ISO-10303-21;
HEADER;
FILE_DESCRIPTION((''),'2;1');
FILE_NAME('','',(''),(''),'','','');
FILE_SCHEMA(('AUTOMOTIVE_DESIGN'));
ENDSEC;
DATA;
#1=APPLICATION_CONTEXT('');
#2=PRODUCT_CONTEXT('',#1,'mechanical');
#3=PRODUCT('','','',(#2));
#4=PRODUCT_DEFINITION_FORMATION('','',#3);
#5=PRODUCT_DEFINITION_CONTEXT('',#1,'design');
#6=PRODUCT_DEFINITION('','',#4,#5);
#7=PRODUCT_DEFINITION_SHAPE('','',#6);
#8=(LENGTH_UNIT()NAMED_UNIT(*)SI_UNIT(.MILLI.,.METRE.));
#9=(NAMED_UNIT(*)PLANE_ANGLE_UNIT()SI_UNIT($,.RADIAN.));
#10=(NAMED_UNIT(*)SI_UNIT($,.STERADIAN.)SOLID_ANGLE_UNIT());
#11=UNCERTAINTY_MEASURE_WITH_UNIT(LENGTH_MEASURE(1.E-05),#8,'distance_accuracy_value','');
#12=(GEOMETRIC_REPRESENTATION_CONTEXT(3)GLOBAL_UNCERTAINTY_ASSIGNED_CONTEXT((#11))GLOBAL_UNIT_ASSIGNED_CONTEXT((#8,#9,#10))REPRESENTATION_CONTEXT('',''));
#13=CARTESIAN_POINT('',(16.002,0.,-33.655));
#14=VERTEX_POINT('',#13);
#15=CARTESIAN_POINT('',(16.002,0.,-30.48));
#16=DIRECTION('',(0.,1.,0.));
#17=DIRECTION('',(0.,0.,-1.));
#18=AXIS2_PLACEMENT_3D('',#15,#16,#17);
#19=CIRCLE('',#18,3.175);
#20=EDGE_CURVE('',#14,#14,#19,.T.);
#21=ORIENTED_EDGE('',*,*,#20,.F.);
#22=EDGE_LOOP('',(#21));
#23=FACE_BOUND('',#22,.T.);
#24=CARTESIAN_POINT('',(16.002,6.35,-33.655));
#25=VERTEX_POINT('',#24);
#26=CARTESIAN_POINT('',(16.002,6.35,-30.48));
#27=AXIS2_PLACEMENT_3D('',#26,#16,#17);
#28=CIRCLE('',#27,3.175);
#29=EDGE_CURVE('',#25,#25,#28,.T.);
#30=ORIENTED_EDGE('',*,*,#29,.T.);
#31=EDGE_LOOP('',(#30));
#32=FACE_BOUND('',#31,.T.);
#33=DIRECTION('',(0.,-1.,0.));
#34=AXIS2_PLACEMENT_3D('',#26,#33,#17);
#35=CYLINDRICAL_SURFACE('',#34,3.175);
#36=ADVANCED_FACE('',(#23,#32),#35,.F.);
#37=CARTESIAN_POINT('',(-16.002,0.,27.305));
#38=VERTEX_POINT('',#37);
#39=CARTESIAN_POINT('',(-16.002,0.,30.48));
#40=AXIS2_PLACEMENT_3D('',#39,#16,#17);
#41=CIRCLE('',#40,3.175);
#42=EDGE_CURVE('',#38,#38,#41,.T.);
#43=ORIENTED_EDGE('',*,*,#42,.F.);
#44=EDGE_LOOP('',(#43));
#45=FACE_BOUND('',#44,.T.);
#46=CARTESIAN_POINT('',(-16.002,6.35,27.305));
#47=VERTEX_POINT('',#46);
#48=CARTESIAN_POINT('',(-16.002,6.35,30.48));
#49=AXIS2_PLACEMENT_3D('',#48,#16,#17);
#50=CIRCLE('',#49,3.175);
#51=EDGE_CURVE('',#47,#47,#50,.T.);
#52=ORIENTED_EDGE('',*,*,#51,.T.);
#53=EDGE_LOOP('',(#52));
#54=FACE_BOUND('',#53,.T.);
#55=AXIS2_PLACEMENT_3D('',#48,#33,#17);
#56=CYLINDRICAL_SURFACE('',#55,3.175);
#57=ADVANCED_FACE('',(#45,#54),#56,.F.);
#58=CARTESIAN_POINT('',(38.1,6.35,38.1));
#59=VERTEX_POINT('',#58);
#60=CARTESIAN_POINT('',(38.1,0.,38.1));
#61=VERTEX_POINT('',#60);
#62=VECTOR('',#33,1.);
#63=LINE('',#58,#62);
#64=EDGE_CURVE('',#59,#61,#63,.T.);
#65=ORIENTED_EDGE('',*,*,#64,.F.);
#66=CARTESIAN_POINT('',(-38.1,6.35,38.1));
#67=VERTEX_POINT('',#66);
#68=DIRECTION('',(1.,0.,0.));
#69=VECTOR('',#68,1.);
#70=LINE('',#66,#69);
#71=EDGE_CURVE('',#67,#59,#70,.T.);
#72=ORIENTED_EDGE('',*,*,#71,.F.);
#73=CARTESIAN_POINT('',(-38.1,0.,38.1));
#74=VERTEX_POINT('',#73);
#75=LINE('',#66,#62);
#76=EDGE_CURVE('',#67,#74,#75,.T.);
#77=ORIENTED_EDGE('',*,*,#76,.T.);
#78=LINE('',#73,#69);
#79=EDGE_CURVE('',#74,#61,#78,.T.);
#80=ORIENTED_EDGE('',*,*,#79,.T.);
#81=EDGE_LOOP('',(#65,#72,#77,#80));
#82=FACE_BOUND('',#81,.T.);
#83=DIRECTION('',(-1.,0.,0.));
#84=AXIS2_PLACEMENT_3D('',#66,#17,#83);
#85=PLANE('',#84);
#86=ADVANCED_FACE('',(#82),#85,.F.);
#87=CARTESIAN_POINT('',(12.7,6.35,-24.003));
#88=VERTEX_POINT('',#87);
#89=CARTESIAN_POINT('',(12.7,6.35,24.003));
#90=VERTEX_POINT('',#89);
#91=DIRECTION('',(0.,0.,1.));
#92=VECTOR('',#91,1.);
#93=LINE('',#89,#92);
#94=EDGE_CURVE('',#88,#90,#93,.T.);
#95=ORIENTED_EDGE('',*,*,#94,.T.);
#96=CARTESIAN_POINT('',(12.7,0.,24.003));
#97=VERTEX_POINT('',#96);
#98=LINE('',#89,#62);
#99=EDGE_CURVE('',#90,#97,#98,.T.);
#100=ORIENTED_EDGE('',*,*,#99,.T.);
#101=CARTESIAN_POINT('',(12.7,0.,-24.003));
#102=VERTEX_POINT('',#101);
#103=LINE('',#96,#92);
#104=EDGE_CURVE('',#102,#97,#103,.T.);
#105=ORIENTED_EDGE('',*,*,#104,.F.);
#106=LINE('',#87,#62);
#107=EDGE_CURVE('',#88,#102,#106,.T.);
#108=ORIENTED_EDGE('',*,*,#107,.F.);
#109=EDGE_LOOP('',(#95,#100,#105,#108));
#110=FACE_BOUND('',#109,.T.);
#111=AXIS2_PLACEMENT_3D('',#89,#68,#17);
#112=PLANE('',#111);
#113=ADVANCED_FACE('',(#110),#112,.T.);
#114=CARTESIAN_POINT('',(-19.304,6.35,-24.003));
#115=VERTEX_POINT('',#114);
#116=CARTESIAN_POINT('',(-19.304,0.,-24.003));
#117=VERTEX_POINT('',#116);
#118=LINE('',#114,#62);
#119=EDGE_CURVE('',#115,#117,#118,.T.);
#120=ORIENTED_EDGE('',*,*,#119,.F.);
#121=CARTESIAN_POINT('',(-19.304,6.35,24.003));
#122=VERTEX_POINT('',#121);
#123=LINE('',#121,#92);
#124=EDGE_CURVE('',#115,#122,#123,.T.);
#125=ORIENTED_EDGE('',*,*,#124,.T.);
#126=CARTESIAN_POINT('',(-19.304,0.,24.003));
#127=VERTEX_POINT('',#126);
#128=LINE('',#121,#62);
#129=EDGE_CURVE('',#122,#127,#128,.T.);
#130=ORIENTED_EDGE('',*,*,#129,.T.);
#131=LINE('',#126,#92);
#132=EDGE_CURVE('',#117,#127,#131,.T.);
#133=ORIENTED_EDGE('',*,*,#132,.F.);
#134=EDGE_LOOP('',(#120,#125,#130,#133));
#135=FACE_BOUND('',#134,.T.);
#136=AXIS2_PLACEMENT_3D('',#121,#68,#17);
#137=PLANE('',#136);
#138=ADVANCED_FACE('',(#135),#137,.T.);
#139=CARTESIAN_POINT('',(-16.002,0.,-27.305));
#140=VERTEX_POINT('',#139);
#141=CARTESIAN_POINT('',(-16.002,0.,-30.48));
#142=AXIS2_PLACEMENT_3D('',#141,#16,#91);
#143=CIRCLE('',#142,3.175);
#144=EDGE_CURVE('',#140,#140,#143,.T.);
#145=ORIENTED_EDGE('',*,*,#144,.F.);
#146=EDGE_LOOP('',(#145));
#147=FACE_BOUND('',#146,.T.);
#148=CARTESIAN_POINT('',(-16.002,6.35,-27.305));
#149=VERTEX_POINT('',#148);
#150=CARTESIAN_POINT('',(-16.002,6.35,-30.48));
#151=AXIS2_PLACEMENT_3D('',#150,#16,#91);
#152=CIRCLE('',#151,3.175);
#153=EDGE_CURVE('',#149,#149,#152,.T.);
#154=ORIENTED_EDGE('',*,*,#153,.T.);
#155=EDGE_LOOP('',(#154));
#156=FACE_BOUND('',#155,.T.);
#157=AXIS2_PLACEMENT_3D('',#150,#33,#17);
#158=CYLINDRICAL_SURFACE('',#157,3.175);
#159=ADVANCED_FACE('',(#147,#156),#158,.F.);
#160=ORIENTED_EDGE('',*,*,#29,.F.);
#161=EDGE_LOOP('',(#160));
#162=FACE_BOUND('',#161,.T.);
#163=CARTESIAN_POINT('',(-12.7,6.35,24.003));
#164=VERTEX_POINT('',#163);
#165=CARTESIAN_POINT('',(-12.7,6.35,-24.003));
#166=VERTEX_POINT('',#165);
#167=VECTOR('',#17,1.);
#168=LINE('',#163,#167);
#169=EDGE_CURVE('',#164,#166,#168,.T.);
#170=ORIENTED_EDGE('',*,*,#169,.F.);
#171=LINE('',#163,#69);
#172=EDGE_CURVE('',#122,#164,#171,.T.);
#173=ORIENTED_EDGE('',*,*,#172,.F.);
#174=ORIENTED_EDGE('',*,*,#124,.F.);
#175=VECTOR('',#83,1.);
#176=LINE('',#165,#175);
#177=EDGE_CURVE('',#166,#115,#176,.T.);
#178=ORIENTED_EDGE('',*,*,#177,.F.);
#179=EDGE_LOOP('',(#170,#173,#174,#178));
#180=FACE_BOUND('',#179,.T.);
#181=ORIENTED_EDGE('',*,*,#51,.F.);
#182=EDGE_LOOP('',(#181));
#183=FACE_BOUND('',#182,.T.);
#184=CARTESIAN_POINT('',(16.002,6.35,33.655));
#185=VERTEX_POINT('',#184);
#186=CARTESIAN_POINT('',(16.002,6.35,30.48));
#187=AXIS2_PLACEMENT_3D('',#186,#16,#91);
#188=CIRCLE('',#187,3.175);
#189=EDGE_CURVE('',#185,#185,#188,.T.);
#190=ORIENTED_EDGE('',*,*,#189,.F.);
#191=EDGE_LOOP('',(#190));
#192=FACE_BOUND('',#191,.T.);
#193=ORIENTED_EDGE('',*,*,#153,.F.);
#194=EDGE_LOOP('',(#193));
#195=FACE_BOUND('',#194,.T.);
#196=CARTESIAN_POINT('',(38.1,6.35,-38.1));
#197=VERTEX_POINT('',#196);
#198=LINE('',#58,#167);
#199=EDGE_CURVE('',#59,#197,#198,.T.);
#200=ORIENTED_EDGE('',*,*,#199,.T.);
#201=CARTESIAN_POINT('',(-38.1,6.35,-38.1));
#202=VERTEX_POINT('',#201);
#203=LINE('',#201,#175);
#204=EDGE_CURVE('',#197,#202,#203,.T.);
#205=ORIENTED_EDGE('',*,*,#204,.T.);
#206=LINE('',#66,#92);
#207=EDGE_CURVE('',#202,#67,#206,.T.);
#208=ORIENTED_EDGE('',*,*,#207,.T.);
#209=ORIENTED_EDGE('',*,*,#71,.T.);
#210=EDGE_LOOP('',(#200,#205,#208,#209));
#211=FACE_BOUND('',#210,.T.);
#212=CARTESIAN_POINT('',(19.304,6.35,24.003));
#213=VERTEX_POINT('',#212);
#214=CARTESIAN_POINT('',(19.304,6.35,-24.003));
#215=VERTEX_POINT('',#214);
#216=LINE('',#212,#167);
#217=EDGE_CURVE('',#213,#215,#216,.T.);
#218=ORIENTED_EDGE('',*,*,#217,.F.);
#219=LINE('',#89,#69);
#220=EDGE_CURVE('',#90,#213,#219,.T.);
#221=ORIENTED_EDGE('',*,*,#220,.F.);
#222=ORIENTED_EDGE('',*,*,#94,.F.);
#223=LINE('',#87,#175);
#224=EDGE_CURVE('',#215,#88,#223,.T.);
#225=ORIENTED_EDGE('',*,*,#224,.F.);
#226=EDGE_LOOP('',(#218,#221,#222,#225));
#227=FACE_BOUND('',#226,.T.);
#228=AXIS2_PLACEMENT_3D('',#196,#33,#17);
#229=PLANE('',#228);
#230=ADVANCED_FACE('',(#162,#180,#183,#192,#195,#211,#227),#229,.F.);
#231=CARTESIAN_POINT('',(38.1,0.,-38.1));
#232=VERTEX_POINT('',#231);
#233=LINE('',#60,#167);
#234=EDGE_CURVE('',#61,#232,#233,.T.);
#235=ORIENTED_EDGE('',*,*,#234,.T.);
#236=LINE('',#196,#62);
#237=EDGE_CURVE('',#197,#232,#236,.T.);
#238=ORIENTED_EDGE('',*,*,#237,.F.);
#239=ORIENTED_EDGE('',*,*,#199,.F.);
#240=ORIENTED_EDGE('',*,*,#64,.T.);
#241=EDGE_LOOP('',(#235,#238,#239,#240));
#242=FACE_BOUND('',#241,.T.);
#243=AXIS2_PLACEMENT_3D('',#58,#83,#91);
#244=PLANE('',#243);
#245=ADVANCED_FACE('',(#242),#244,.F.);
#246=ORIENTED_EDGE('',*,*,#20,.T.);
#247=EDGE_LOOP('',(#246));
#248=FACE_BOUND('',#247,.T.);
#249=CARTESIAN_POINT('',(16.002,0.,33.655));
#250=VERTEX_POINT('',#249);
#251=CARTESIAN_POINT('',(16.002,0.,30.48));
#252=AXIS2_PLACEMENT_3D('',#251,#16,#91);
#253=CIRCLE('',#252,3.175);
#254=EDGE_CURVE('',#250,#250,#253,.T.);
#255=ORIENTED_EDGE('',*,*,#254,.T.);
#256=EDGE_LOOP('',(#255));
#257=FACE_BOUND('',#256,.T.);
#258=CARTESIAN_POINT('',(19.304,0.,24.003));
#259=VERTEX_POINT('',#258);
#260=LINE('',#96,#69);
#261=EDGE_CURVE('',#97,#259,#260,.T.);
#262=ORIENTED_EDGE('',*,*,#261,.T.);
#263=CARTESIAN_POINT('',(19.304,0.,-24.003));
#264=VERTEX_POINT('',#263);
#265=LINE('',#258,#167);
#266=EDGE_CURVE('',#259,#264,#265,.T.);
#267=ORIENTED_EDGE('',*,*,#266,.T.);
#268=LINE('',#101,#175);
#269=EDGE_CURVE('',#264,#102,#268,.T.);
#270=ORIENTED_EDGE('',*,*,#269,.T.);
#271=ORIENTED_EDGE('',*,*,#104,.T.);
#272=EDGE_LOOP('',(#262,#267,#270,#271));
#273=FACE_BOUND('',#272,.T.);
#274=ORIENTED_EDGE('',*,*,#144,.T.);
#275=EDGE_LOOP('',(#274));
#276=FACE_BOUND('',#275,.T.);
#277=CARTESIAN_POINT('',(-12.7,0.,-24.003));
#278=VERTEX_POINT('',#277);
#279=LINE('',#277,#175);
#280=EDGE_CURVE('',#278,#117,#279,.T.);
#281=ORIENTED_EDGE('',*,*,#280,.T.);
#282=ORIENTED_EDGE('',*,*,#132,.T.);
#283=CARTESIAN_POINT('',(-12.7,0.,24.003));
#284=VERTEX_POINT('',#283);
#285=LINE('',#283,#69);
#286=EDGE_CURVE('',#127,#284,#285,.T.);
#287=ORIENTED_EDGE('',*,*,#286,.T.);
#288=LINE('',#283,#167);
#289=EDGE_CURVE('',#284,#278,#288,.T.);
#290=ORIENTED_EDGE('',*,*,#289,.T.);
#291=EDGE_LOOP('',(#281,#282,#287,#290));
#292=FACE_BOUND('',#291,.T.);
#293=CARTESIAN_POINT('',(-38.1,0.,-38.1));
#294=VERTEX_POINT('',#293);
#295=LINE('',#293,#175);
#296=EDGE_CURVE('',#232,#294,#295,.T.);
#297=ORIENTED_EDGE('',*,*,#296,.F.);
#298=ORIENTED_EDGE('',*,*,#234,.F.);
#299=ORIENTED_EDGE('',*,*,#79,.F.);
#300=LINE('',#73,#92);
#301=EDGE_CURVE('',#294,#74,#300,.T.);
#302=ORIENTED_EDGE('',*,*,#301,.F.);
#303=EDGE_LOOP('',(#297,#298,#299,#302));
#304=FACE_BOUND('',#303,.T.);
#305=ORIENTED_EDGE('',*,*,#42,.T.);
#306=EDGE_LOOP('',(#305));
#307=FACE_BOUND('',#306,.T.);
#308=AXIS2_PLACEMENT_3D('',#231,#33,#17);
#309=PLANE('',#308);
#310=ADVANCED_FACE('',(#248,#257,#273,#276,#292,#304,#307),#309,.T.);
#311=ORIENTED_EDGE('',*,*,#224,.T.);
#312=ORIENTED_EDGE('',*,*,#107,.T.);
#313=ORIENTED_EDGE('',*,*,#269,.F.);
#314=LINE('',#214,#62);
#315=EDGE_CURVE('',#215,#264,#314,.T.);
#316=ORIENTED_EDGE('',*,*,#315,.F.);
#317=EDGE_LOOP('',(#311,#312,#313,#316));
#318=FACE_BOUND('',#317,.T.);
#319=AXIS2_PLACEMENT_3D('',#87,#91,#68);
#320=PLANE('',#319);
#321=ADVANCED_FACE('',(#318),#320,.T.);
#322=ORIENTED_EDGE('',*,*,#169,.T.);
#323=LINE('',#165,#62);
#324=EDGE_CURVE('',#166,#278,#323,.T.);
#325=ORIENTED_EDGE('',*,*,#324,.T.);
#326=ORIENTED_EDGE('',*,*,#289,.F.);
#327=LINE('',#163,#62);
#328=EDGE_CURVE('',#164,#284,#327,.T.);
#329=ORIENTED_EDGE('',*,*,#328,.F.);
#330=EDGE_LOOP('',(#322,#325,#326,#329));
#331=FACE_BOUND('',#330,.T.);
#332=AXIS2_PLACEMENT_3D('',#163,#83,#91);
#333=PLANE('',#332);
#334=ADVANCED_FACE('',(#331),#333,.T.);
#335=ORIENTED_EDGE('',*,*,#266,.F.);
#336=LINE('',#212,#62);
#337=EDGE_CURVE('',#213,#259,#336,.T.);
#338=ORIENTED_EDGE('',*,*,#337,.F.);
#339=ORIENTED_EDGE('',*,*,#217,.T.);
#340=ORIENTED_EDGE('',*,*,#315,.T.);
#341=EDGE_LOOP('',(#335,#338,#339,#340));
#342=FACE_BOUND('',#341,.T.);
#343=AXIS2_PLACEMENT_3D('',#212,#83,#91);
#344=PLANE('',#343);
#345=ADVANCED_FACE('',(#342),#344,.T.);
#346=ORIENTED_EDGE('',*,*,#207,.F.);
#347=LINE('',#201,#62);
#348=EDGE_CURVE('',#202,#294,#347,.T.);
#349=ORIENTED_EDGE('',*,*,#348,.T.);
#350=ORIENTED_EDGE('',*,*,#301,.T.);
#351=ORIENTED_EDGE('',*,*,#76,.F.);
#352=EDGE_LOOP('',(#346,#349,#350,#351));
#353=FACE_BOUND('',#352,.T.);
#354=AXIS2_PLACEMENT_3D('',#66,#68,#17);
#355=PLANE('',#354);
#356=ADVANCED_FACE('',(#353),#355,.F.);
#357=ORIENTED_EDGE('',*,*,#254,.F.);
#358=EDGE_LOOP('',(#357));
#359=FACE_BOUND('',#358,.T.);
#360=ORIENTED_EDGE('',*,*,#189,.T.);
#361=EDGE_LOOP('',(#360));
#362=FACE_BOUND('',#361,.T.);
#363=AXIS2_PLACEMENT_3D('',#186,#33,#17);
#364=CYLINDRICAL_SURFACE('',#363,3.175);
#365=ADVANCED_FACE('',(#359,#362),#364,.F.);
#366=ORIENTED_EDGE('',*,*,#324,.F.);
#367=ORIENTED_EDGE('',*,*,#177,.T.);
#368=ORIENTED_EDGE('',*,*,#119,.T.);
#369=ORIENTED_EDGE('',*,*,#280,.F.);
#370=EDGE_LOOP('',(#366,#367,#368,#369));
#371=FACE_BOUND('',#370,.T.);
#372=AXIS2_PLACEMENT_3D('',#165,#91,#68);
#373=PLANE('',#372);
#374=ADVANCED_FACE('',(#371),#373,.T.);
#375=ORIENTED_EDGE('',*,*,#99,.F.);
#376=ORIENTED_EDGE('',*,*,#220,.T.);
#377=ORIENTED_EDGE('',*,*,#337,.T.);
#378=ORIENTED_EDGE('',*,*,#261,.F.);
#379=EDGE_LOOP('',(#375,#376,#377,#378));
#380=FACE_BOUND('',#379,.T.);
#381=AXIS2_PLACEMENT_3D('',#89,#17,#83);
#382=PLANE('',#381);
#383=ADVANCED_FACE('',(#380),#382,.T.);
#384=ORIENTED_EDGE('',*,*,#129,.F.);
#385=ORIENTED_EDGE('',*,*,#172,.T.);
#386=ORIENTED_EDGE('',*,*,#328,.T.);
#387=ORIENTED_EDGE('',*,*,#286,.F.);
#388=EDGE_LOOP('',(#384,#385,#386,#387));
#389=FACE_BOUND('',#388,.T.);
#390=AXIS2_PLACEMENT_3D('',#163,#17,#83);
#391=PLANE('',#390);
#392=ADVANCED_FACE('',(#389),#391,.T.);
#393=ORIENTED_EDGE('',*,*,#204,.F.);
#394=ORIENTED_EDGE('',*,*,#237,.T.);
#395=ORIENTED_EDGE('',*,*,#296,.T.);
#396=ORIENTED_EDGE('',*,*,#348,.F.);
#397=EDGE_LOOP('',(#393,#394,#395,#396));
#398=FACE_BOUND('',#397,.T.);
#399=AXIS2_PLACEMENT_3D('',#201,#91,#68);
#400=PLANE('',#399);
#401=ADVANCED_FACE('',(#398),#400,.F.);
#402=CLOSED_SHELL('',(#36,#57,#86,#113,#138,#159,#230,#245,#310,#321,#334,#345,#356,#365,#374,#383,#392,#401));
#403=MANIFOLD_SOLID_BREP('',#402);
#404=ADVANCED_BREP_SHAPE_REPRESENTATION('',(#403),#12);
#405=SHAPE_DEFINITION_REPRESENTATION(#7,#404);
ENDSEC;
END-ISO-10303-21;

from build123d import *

# Parameters (mm, degrees)
SKETCH1_W           = 76.2
SKETCH1_H           = 76.2
BOSS_EXTRUDE1_DEPTH = 6.35
SKETCH2_W           = 6.604
SKETCH2_H           = 48.006
CUT_EXTRUDE1_DEPTH  = 55.254423783
SKETCH3_R           = 3.175
CUT_EXTRUDE3_DEPTH  = 55.254423783


with BuildPart() as part:
    # Sketch1 → Boss-Extrude1 (new body)
    with BuildSketch(Plane(origin=(0, 0, 0), x_dir=(1, 0, 0), z_dir=(0, 1, 0))):
        Rectangle(SKETCH1_W, SKETCH1_H)
    extrude(amount=BOSS_EXTRUDE1_DEPTH)

    # Sketch2 → Cut-Extrude1 (cut, through all)
    with BuildSketch(Plane(origin=(0, 0, 0), x_dir=(1, 0, 0), z_dir=(0, 1, 0))):
        with Locations((16.002, 0)):
            Rectangle(SKETCH2_W, SKETCH2_H)
        with Locations((-16.002, 0)):
            Rectangle(SKETCH2_W, SKETCH2_H)
    extrude(amount=CUT_EXTRUDE1_DEPTH, mode=Mode.SUBTRACT)

    # Sketch3 → Cut-Extrude3 (cut, through all)
    with BuildSketch(Plane(origin=(0, 0, 0), x_dir=(1, 0, 0), z_dir=(0, 1, 0))):
        with Locations(Location((-16.002, 30.48, 0), (0, 0, 270))):
            Circle(SKETCH3_R)
        with Locations(Location((-16.002, -30.48, 0), (0, 0, 90))):
            Circle(SKETCH3_R)
        with Locations(Location((16.002, -30.48, 0), (0, 0, 270))):
            Circle(SKETCH3_R)
        with Locations(Location((16.002, 30.48, 0), (0, 0, 90))):
            Circle(SKETCH3_R)
    extrude(amount=CUT_EXTRUDE3_DEPTH, mode=Mode.SUBTRACT)


solid = part.part
